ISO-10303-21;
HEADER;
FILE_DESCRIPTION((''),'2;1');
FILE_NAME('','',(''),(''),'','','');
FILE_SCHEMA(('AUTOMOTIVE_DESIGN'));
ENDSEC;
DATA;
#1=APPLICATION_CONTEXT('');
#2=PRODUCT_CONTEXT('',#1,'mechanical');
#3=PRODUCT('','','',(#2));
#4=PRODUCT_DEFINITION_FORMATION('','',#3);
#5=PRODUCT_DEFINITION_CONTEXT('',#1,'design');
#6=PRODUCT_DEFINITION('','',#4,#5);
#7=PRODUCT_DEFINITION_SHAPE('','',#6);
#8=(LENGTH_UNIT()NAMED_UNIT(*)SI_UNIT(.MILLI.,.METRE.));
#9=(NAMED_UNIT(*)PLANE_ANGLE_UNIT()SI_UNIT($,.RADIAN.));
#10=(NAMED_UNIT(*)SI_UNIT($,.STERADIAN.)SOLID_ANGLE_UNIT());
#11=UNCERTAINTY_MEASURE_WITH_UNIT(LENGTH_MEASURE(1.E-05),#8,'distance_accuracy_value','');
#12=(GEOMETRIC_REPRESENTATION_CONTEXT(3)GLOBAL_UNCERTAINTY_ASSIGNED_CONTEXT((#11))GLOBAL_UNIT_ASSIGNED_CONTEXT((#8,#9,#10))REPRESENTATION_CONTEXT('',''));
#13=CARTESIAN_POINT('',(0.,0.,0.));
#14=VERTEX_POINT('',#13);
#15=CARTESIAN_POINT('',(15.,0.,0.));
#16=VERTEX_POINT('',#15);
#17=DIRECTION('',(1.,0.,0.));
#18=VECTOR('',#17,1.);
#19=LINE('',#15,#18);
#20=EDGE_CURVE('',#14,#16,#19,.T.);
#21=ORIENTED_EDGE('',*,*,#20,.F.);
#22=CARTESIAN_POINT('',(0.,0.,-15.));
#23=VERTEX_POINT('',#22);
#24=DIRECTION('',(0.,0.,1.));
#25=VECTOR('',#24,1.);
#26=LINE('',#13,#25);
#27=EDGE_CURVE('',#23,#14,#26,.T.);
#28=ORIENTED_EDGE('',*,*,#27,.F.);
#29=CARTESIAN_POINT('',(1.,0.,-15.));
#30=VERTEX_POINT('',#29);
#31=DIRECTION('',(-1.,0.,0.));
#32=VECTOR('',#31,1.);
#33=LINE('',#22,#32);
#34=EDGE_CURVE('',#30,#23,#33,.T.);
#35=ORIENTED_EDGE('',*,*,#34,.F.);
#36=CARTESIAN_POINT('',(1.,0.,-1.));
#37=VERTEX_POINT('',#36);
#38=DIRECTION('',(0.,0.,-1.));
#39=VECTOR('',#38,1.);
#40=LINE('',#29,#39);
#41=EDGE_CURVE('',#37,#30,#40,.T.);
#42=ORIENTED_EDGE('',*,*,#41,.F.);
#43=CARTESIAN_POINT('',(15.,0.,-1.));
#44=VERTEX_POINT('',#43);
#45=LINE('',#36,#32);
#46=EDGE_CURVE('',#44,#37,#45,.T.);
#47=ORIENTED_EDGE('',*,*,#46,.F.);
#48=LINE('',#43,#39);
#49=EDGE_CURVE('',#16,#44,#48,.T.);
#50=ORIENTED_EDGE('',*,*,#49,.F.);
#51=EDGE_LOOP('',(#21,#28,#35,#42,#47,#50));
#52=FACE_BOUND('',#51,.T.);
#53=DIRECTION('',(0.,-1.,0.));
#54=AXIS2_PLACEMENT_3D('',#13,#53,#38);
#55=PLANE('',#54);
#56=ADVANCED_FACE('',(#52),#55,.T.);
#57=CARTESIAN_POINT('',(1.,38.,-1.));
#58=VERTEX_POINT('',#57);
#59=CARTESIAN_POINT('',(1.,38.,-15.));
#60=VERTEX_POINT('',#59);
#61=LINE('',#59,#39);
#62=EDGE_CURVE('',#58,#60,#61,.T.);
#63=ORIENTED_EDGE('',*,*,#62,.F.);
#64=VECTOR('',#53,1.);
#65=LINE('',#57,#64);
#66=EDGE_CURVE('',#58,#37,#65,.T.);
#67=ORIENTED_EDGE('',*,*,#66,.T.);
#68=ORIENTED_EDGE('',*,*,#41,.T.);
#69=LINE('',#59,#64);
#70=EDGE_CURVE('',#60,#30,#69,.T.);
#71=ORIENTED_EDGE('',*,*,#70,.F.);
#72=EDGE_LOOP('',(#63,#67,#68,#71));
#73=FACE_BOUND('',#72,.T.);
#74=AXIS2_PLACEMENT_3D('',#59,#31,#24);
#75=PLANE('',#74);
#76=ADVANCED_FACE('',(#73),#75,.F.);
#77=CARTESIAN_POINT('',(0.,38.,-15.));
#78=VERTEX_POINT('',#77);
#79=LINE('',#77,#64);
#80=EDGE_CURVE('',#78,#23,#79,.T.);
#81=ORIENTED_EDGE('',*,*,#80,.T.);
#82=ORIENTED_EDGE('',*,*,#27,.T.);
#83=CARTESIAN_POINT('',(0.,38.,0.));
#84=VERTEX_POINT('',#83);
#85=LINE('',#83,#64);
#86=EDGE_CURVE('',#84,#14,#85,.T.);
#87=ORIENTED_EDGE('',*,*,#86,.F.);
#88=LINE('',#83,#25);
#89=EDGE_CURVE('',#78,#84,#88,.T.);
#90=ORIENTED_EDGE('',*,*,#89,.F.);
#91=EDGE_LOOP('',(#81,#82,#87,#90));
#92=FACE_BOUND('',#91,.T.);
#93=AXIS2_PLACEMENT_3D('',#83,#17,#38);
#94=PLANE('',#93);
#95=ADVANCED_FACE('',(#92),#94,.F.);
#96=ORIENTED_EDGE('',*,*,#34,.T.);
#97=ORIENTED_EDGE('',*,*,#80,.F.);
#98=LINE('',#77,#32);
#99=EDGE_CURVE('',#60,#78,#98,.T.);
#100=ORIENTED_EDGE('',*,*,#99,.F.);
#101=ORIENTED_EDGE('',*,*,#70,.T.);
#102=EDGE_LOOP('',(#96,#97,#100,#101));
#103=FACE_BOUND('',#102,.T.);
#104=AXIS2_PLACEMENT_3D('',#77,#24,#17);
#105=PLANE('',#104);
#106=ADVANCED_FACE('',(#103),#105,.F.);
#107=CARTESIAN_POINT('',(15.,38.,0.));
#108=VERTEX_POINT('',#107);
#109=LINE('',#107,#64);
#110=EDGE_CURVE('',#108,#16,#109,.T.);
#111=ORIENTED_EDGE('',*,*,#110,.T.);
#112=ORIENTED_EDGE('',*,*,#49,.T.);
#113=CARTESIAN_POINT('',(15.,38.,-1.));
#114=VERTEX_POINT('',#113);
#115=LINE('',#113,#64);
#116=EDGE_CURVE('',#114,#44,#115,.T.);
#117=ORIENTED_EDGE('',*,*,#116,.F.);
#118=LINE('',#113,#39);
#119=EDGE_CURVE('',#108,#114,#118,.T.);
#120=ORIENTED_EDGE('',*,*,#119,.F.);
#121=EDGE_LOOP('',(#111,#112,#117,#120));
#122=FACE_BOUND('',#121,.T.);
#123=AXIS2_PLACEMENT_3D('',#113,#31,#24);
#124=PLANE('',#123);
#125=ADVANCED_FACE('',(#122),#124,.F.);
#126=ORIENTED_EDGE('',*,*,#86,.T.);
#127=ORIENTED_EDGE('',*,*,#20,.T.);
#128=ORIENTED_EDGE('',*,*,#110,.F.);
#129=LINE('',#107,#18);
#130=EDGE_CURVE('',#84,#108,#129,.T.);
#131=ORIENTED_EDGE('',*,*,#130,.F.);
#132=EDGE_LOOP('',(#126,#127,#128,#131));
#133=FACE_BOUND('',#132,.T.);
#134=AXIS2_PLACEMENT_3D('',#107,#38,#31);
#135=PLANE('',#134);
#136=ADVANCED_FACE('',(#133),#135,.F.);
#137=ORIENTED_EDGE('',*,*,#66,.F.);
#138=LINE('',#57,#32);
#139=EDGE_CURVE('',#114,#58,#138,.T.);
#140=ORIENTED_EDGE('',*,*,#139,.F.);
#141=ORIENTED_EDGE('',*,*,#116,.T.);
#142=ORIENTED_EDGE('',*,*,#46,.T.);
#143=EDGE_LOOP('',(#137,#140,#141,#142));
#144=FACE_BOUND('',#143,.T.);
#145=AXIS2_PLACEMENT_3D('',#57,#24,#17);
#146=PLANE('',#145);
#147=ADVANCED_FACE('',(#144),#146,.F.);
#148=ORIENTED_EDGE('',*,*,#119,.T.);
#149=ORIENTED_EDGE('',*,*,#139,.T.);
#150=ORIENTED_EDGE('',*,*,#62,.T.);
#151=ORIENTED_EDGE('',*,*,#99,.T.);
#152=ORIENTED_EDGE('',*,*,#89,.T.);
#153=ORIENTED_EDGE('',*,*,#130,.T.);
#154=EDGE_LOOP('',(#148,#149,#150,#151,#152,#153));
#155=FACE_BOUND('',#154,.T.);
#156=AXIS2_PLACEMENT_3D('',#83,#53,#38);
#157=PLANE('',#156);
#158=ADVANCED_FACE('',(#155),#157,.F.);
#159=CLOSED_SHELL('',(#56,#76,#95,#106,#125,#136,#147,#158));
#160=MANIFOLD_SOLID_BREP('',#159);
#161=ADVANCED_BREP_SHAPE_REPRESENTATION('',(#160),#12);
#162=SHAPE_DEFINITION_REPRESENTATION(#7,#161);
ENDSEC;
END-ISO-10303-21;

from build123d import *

# Parameters (mm, degrees)
EXTRUDE_1_DEPTH = 38


with BuildPart() as part:
    # Эскиз1 → Бобышка-Вытянуть1 (new body)
    with BuildSketch(Plane(origin=(0, 0, 0), x_dir=(1, 0, 0), z_dir=(0, 1, 0))):
        Polygon((0, 0), (0, 15), (1, 15), (1, 1), (15, 1), (15, 0), align=None)
    extrude(amount=EXTRUDE_1_DEPTH)


solid = part.part
